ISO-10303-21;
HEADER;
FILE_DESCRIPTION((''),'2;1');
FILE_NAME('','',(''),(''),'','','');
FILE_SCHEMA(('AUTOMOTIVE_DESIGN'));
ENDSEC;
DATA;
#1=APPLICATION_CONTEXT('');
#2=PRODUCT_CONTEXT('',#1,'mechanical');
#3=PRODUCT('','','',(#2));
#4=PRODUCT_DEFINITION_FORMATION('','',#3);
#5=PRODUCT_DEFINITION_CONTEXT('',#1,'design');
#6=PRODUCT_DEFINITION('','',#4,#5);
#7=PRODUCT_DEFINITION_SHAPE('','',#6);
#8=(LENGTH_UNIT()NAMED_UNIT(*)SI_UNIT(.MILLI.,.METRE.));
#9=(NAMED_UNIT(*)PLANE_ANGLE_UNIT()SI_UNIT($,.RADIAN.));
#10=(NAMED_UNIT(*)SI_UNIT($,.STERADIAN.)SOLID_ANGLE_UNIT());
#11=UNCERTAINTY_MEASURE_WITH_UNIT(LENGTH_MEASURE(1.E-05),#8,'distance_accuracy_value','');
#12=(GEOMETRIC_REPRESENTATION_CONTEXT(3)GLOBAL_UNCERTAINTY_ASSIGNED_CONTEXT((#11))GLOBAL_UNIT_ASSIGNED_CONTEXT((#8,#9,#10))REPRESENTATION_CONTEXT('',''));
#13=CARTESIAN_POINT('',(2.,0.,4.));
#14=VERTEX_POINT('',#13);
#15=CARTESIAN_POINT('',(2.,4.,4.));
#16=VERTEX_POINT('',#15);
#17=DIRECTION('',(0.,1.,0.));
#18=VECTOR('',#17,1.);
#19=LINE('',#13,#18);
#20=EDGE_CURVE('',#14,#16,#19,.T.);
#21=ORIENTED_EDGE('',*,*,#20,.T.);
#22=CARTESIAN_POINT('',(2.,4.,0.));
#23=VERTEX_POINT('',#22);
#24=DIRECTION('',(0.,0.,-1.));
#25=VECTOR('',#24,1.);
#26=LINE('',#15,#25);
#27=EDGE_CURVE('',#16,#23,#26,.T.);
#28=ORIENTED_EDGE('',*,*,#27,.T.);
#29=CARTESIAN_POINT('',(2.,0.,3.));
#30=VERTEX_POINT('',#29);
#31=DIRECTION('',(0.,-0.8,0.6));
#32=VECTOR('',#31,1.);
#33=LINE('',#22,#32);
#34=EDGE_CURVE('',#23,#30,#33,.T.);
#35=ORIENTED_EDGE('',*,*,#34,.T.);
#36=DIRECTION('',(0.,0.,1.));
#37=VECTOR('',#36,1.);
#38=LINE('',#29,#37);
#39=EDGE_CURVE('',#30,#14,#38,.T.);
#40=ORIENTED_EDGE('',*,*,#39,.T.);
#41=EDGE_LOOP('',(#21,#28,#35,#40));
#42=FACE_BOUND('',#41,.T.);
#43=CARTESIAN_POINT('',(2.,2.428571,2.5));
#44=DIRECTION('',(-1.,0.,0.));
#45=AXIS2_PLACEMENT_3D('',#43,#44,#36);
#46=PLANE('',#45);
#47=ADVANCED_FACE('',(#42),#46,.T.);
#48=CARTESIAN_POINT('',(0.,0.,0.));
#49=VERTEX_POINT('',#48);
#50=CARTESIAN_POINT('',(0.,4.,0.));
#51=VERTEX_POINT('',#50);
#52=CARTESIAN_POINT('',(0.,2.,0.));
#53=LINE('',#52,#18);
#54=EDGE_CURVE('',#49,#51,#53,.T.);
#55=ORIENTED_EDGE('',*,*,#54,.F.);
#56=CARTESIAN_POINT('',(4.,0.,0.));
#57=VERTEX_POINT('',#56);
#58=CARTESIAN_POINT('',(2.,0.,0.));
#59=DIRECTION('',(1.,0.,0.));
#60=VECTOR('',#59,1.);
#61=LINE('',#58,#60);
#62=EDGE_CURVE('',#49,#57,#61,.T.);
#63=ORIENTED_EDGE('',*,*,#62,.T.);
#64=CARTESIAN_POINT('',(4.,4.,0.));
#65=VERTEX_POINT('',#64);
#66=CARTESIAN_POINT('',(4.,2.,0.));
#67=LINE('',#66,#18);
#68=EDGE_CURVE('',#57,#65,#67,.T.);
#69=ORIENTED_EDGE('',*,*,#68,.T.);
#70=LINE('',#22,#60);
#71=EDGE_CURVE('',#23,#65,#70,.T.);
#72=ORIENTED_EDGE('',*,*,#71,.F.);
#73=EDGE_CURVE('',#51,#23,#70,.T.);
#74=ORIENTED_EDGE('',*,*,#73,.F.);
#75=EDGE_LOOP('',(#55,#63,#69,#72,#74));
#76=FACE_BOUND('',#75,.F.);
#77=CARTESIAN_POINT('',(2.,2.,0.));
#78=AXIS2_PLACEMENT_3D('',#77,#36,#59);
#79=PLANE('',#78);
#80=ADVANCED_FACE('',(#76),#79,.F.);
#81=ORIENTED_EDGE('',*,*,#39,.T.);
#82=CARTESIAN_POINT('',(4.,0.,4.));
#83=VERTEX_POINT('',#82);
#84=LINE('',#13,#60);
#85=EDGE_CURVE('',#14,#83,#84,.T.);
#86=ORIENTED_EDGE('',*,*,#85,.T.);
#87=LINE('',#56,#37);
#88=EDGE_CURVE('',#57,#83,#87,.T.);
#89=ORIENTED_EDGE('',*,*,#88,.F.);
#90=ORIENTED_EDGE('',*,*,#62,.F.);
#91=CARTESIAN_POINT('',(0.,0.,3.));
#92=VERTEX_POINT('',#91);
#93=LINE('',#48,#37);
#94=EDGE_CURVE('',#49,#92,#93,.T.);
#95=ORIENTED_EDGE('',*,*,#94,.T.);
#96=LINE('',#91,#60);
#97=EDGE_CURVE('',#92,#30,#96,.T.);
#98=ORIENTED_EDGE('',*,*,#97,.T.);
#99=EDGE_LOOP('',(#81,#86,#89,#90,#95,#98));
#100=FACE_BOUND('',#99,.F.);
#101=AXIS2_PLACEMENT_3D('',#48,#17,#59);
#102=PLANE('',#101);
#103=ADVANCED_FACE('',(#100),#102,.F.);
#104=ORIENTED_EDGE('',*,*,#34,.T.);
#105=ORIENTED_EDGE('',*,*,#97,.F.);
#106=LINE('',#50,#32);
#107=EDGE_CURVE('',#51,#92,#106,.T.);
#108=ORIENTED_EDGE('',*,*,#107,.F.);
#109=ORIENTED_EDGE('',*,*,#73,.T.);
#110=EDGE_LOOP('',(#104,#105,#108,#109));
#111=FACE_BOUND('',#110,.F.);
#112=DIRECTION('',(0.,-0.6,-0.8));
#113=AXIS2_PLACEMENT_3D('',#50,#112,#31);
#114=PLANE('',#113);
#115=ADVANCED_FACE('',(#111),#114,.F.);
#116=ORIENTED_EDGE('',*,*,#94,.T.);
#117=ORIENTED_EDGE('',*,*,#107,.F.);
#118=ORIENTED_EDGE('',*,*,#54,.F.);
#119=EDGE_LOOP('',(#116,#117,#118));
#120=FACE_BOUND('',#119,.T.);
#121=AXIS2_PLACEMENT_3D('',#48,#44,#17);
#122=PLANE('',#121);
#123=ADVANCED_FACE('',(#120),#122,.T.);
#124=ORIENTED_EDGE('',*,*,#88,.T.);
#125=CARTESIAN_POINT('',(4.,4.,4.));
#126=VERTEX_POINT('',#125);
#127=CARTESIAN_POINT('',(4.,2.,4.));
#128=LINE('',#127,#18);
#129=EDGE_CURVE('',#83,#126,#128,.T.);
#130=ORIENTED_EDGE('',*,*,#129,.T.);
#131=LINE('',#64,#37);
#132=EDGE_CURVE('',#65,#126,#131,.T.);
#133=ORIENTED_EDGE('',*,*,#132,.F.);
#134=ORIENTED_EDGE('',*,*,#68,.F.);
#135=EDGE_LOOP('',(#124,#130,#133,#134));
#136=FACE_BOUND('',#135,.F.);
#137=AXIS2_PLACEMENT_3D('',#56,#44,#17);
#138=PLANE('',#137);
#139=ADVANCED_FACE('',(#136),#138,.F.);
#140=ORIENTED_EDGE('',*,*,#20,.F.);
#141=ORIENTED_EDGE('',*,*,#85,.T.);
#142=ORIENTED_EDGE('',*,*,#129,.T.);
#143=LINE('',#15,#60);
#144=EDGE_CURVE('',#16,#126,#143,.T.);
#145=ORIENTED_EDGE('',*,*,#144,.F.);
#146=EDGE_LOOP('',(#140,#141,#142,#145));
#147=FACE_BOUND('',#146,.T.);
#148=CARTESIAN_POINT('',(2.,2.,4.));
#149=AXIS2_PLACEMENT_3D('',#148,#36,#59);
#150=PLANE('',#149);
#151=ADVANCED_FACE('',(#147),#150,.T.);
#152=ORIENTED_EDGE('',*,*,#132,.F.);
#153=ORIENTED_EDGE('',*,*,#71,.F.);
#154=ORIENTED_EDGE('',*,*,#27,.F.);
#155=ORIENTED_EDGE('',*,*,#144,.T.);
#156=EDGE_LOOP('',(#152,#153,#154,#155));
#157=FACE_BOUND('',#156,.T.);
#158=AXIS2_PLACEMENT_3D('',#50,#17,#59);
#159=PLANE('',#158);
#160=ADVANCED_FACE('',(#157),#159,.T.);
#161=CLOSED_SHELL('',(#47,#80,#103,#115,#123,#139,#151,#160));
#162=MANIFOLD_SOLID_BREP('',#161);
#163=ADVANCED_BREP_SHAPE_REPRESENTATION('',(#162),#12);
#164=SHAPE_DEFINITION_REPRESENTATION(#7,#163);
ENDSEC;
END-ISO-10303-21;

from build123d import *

# Parameters (mm, degrees)
SKETCH7_W           = 4
SKETCH7_H           = 4
BOSS_EXTRUDE6_DEPTH = 4
CUT_EXTRUDE2_DEPTH  = 2


with BuildPart() as part:
    # Sketch7 → Boss-Extrude6 (new body)
    with BuildSketch(Plane.XY):
        with Locations((2, 2)):
            Rectangle(SKETCH7_W, SKETCH7_H)
    extrude(amount=BOSS_EXTRUDE6_DEPTH)

    # Sketch8 → Cut-Extrude2 (cut)
    with BuildSketch(Plane.ZY):
        Polygon((0, 4), (3, 0), (4, 0), (4, 4), align=None)
    extrude(amount=-CUT_EXTRUDE2_DEPTH, mode=Mode.SUBTRACT)


solid = part.part
